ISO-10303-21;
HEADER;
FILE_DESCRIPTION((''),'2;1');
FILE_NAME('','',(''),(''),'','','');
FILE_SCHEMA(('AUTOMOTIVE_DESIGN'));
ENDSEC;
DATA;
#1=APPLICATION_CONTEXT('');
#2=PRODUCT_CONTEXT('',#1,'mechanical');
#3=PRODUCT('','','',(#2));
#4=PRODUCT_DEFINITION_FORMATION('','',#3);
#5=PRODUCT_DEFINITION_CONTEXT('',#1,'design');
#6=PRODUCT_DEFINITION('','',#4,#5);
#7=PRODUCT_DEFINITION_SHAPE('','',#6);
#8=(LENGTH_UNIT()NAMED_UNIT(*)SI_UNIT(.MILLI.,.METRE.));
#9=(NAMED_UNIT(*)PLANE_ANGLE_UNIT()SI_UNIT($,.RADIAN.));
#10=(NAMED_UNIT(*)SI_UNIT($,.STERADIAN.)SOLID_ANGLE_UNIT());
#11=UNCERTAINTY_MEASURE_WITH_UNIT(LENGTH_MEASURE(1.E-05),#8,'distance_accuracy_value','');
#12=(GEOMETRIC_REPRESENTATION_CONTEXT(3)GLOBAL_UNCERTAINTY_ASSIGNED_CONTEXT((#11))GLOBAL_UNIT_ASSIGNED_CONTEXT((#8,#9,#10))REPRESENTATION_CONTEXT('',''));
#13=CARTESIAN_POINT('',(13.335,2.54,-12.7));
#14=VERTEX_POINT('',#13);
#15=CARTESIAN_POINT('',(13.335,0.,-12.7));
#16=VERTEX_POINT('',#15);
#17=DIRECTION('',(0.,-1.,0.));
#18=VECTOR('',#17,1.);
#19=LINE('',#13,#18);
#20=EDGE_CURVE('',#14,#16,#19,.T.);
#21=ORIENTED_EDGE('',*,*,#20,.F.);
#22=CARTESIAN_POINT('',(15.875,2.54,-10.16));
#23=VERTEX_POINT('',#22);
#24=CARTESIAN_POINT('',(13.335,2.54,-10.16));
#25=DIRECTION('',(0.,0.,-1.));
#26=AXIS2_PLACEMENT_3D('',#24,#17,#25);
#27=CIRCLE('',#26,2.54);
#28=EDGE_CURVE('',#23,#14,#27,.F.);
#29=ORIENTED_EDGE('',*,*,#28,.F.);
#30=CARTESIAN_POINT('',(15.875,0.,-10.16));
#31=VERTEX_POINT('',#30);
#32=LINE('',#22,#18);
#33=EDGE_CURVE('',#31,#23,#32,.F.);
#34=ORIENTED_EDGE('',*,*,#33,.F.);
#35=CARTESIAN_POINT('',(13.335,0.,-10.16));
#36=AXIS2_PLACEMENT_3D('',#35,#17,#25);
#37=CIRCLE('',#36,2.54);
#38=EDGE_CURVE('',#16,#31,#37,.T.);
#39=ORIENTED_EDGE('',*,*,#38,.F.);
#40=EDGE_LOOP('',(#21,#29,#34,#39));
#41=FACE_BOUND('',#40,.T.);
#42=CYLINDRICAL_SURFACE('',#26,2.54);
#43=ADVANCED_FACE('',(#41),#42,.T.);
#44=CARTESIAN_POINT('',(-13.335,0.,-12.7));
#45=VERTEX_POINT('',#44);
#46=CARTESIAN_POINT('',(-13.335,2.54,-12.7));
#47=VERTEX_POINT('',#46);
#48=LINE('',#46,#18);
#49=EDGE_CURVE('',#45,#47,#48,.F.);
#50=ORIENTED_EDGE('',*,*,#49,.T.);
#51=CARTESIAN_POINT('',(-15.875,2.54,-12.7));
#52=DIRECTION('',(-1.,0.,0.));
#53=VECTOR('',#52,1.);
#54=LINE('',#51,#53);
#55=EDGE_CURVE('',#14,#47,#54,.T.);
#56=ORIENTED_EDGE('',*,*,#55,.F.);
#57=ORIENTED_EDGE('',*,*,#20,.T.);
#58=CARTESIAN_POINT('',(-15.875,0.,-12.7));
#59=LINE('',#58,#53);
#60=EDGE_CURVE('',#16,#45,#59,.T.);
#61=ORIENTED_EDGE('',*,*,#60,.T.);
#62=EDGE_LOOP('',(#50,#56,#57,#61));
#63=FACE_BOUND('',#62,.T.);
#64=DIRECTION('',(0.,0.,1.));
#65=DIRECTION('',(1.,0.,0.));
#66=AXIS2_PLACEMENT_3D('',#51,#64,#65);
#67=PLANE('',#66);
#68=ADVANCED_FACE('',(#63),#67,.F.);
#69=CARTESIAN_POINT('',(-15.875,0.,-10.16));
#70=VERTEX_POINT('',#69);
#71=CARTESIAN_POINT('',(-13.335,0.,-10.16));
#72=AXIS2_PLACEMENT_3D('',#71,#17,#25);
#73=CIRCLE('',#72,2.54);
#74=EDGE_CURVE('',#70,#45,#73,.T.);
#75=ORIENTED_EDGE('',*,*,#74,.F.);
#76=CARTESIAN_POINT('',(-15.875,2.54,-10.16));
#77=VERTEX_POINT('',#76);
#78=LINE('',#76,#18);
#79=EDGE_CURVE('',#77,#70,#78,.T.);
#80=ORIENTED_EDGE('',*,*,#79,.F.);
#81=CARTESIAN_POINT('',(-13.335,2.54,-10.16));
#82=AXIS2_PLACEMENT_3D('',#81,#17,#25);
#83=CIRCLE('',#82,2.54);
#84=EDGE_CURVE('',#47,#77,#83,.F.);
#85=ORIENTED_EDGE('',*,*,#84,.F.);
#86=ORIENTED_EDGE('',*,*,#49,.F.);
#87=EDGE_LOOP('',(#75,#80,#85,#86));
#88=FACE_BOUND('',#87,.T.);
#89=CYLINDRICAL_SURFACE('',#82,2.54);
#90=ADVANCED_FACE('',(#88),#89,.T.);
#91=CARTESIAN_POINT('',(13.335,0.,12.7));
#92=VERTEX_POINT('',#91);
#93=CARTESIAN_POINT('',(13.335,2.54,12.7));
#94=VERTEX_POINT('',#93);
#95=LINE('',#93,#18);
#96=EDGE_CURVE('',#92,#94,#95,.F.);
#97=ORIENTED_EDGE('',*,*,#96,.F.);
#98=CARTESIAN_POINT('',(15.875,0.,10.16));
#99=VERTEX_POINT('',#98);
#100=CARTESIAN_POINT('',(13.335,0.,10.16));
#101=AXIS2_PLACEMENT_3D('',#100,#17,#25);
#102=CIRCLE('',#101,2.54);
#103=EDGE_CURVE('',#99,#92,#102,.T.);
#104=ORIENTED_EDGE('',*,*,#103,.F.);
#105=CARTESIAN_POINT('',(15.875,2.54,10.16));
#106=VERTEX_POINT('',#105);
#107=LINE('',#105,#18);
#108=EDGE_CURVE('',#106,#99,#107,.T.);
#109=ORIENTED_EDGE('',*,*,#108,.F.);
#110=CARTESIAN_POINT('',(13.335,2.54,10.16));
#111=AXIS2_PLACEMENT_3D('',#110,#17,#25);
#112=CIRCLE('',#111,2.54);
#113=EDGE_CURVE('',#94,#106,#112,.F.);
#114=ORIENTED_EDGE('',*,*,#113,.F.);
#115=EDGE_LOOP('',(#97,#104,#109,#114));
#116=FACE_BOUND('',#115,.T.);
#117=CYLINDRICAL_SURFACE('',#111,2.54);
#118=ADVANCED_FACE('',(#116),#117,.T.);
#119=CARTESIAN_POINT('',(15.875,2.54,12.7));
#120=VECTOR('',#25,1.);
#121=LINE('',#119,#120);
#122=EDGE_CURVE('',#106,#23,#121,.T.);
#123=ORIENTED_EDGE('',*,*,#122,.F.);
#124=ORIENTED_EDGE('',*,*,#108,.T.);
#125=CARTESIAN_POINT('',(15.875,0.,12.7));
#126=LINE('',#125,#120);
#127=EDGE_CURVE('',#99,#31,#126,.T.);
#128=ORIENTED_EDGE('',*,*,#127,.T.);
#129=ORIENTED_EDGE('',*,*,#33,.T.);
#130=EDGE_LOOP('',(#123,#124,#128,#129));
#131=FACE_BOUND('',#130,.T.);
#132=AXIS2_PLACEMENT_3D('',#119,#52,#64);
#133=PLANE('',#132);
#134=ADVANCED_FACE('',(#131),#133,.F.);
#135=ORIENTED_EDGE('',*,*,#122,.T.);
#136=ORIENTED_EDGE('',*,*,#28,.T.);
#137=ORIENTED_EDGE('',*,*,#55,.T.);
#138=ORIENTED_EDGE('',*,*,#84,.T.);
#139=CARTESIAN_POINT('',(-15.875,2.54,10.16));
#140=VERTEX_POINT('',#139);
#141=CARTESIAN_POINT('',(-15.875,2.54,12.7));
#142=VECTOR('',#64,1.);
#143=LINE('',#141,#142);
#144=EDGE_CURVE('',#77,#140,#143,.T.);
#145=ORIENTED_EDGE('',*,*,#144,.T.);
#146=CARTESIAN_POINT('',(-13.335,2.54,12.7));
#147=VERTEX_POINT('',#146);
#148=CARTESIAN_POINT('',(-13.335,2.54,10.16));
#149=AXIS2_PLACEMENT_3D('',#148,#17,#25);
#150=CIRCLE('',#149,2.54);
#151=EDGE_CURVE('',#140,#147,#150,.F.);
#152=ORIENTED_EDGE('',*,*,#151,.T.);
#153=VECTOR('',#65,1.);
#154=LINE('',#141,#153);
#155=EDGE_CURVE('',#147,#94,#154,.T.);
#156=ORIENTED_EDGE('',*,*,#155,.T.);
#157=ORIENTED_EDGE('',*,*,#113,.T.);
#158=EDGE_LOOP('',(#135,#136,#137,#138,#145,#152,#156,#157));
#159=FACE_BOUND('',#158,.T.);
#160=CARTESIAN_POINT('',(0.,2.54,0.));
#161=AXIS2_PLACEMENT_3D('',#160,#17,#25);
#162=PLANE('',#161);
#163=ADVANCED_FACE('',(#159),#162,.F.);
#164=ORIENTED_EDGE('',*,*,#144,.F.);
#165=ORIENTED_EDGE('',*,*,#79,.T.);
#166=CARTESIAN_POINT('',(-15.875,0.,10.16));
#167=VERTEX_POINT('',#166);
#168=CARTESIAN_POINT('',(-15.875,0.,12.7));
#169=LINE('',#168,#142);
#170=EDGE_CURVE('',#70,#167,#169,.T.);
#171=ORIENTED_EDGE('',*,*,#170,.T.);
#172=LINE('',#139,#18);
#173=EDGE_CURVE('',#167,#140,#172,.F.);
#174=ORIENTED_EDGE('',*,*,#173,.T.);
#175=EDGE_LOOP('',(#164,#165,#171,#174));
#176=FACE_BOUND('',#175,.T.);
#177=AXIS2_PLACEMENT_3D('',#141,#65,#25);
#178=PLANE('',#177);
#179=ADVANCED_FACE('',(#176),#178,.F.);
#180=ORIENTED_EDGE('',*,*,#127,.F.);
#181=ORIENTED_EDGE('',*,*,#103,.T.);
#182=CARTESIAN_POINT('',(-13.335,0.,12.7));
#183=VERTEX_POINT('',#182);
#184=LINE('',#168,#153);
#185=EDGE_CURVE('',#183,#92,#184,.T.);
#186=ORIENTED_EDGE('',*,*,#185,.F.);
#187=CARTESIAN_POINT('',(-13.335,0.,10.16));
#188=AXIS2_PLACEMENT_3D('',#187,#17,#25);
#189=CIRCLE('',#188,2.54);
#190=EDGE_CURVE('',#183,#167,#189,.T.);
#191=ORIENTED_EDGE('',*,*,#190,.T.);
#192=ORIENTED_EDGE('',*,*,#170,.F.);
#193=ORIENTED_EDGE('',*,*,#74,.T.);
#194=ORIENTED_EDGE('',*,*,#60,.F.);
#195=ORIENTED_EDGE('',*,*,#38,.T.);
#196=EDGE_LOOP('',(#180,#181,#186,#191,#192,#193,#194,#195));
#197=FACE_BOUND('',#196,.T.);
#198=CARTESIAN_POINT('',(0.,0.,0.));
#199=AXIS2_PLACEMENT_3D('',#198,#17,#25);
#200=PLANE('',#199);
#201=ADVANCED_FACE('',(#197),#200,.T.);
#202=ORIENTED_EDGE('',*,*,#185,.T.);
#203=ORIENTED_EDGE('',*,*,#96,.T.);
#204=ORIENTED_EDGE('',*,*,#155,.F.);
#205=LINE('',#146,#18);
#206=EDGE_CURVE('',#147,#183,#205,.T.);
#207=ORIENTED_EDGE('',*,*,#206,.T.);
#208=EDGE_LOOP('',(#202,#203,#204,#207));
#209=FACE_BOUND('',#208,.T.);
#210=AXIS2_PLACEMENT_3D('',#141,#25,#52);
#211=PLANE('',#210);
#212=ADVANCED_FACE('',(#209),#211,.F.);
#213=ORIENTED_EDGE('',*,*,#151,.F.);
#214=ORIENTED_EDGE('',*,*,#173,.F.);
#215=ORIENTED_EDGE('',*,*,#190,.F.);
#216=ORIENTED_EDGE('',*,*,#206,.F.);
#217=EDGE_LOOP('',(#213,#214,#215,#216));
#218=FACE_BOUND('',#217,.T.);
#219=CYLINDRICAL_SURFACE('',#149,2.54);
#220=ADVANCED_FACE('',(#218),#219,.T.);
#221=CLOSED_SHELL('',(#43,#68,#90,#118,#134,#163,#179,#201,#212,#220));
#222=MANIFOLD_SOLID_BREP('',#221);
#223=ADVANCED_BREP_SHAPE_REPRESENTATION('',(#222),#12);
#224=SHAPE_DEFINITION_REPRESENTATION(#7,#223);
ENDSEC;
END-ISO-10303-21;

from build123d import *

# Parameters (mm, degrees)
SKETCH1_W           = 31.75
SKETCH1_H           = 25.4
BOSS_EXTRUDE1_DEPTH = 2.54
FILLET1_R           = 2.54


with BuildPart() as part:
    # Sketch1 → Boss-Extrude1 (new body)
    with BuildSketch(Plane(origin=(0, 0, 0), x_dir=(1, 0, 0), z_dir=(0, 1, 0))):
        Rectangle(SKETCH1_W, SKETCH1_H)
    extrude(amount=BOSS_EXTRUDE1_DEPTH)

    # Fillet1
    fillet1_edges = [part.edges().sort_by_distance(p)[0] for p in [
        (-15.875, 1.27, -12.7),
        (15.875, 1.27, -12.7),
        (15.875, 1.27, 12.7),
        (-15.875, 1.27, 12.7),
    ]]
    fillet(fillet1_edges, radius=FILLET1_R)


solid = part.part
